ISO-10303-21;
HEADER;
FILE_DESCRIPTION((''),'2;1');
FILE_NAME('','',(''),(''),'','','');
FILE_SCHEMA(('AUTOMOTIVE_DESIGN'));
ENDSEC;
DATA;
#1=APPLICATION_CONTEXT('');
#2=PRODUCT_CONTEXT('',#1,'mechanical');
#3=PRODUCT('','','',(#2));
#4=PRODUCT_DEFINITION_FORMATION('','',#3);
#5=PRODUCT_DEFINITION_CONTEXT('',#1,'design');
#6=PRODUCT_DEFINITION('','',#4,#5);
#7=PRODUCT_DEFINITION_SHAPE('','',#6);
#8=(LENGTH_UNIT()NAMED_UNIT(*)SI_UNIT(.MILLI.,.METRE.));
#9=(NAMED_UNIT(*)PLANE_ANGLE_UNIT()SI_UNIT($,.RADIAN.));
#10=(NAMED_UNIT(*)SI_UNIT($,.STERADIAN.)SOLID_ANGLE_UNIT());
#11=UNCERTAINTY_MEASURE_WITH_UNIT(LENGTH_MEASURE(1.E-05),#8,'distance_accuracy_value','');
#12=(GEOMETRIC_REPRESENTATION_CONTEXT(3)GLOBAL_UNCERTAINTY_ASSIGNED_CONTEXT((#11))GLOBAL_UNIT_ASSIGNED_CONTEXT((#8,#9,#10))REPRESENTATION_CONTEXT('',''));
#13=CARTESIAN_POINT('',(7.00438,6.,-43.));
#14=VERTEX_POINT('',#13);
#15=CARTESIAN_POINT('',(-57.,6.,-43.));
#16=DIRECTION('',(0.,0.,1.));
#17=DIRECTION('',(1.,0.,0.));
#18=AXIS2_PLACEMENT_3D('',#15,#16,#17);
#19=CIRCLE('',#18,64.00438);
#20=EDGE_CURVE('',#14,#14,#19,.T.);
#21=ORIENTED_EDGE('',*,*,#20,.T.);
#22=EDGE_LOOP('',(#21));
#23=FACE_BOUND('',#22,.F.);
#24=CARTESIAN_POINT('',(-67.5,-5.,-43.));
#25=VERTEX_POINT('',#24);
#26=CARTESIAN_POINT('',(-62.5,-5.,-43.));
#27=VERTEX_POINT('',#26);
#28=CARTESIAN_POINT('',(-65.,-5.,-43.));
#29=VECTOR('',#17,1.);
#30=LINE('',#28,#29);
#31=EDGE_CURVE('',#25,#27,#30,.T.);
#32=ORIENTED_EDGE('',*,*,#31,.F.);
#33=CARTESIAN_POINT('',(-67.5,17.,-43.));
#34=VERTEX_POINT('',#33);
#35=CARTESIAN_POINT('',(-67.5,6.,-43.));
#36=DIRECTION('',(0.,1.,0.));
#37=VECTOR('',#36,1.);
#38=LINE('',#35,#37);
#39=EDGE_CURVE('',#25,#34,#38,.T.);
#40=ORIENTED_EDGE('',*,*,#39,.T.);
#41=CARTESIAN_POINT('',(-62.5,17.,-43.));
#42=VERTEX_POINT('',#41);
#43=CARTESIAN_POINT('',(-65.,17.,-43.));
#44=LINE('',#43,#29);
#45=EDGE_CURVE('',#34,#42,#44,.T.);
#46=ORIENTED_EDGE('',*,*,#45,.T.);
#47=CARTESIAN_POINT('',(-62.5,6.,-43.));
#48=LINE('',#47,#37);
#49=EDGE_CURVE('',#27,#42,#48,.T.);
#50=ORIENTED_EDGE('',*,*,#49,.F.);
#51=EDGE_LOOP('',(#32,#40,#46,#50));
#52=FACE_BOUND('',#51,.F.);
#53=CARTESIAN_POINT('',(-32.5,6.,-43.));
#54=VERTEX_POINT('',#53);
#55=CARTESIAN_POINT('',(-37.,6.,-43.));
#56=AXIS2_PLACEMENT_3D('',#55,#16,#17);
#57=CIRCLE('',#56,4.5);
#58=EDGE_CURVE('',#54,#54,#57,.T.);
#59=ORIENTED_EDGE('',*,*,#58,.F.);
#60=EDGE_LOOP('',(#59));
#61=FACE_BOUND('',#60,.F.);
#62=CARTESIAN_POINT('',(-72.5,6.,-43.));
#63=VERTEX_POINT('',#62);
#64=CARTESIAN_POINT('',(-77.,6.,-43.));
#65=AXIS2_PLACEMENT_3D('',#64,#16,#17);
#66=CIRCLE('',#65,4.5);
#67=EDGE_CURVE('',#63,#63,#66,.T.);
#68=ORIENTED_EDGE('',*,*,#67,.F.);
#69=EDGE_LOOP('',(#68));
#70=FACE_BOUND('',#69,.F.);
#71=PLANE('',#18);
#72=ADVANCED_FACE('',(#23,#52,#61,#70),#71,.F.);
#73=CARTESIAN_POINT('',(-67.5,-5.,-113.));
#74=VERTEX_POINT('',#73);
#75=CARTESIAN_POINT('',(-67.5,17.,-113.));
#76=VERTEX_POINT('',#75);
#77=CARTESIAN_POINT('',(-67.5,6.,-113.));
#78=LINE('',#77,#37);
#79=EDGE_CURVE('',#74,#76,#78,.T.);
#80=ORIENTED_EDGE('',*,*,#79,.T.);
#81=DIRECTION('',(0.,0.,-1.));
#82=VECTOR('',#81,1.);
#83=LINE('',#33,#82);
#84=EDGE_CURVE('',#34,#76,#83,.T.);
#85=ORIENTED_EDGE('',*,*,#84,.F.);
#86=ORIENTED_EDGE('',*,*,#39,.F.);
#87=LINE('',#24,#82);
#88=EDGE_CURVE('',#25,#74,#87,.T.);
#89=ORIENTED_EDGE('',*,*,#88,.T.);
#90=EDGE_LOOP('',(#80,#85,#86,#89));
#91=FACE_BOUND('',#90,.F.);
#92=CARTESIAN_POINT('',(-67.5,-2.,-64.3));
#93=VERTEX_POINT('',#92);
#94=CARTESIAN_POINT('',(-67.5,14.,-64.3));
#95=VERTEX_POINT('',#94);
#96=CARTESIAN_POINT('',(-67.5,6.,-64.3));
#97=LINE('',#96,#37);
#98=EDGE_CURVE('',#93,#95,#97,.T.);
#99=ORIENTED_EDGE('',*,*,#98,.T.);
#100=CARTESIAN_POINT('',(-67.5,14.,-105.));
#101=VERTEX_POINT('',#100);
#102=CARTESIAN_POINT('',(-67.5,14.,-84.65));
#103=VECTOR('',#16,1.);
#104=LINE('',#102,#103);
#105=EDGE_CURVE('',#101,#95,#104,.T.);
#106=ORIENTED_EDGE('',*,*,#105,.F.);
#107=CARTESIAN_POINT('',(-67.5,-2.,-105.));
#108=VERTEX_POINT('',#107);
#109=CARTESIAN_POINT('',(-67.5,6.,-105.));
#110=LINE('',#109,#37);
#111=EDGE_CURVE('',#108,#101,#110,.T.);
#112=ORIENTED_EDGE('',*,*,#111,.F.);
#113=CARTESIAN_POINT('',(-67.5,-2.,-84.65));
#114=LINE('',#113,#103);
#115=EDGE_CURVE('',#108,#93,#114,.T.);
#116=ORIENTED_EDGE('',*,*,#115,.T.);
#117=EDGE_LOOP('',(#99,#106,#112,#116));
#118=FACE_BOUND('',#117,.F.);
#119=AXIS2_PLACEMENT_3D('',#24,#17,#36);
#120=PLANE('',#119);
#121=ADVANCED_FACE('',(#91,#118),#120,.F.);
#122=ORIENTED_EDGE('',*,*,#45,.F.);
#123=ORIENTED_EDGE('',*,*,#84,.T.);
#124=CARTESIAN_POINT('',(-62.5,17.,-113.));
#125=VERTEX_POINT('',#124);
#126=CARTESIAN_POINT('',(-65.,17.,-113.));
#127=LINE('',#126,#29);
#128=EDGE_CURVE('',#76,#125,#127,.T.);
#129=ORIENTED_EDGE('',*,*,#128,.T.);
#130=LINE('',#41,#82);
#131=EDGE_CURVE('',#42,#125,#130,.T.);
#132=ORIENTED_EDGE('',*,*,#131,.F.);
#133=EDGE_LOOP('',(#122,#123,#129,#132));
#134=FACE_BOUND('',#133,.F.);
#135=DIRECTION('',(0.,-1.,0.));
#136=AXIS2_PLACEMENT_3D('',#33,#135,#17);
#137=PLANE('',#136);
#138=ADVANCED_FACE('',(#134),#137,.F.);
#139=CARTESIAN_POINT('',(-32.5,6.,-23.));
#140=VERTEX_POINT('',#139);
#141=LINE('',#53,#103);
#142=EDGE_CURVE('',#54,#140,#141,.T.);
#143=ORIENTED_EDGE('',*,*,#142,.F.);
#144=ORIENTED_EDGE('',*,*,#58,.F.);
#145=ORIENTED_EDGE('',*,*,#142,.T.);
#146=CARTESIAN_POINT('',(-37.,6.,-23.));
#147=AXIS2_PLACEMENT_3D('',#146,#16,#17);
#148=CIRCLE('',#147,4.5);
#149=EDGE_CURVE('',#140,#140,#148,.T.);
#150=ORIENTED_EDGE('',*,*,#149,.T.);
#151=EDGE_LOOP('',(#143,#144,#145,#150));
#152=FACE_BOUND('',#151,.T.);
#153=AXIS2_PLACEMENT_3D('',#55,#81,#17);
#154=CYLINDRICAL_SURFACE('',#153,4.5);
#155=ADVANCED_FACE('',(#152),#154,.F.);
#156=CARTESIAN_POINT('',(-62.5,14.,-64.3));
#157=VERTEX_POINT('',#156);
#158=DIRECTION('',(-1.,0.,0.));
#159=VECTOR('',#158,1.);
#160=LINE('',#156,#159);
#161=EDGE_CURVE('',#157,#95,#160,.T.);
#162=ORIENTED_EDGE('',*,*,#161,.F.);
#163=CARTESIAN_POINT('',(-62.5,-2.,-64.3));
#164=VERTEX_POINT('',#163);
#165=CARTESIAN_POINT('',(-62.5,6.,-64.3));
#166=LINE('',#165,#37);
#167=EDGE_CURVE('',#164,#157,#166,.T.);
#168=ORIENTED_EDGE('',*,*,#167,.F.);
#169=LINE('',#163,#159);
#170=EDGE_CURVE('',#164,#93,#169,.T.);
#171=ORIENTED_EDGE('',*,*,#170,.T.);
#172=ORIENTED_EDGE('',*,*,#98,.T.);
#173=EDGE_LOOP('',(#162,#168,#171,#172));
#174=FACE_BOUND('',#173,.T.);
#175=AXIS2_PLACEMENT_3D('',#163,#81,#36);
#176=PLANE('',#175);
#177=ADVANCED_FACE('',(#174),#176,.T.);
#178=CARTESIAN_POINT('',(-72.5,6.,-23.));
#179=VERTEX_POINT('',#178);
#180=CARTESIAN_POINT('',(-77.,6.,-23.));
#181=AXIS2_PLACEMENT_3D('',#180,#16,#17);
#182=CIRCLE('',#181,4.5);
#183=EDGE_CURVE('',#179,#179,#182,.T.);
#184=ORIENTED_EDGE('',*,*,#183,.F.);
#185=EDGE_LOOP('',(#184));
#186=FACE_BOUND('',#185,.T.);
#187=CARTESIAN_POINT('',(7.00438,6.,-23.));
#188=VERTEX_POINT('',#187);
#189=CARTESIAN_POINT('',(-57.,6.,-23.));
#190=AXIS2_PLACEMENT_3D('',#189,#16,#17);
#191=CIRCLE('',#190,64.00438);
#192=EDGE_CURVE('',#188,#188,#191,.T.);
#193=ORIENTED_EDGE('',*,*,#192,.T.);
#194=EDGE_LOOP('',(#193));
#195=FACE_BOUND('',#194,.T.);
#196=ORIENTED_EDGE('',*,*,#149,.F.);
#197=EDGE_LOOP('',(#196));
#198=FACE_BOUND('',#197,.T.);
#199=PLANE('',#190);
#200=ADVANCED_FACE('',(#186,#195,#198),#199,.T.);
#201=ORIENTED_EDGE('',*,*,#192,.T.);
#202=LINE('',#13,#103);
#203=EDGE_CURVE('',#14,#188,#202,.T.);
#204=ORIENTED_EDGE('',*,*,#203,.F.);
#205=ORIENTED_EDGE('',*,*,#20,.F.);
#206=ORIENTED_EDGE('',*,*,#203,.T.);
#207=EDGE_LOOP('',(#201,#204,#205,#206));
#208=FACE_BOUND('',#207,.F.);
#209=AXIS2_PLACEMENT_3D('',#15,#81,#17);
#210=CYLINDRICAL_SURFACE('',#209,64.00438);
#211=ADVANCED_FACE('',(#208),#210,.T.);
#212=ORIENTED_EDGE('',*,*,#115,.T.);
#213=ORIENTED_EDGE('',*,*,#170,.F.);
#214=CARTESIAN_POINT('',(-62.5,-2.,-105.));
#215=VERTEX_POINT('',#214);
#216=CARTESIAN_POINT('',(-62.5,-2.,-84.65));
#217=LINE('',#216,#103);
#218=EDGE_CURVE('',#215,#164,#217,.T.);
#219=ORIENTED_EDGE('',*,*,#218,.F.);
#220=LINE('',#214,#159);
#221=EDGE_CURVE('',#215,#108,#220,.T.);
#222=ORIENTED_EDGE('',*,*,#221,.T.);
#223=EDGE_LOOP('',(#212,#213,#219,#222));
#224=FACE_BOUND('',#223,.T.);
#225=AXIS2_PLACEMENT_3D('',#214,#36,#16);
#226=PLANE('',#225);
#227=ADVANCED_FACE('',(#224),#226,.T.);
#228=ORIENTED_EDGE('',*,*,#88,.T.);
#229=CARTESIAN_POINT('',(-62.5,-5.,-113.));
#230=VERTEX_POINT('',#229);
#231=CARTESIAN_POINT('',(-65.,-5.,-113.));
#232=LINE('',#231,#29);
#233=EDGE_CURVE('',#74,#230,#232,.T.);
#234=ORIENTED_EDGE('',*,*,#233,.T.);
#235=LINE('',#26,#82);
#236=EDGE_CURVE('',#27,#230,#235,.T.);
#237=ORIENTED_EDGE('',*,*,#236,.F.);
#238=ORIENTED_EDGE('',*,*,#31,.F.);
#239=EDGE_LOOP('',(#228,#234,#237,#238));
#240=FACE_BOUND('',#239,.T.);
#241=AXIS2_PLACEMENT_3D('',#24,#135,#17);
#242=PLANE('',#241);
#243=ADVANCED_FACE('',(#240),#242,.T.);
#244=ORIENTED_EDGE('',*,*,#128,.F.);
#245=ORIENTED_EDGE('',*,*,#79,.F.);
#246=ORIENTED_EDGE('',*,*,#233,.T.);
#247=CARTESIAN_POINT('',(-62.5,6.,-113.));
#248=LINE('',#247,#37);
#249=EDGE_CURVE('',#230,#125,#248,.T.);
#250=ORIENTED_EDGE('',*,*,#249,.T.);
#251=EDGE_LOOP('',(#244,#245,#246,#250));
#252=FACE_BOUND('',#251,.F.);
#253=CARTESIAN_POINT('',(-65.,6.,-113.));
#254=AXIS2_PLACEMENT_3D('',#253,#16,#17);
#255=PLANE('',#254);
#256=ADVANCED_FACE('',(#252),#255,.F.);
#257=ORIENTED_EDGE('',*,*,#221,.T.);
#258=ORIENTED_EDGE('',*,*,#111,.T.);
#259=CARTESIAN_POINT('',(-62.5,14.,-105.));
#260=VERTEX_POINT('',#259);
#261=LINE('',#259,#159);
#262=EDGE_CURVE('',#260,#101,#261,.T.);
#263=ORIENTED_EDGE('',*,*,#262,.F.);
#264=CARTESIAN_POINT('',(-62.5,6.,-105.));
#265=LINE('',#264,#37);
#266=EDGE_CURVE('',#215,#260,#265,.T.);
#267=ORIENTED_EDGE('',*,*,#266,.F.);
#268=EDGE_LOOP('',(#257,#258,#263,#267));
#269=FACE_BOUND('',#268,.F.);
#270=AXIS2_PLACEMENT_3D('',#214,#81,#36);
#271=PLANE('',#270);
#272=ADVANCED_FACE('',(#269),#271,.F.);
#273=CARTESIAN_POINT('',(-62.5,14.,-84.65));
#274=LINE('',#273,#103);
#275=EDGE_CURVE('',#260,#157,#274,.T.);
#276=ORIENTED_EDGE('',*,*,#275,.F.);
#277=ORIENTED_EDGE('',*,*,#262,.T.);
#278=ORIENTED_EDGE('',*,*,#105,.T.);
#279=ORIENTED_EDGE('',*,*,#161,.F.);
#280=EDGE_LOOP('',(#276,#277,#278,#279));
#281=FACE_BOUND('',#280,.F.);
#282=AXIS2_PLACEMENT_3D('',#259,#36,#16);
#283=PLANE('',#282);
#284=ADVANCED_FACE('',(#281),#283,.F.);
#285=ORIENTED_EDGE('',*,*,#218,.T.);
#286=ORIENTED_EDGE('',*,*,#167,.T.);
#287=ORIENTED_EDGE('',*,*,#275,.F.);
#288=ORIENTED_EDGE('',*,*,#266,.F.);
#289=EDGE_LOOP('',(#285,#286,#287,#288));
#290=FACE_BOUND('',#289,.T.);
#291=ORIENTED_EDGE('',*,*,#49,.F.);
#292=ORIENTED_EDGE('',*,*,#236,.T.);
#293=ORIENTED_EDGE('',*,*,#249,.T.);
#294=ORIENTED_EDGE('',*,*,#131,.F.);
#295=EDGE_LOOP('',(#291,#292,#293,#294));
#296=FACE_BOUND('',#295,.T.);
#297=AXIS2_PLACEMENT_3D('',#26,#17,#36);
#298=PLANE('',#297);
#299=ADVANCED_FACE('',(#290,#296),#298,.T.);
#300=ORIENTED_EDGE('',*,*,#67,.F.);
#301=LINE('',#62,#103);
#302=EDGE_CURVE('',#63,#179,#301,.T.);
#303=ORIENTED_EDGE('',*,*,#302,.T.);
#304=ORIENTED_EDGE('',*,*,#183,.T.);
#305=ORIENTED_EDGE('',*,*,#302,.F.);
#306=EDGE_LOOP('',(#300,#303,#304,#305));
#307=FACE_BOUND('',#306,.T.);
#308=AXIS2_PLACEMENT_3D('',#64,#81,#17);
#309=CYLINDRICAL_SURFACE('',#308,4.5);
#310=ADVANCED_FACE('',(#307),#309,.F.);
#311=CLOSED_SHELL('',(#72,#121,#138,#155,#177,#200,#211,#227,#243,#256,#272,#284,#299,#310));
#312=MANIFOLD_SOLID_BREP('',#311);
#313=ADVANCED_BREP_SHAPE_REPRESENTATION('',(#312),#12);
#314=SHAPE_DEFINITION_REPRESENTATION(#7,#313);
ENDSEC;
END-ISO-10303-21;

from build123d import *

# Parameters (mm, degrees)
SKETCH004_R     = 64.00438
PAD003_DEPTH    = 20
SKETCH006_R     = 4.5
POCKET001_DEPTH = 20
SKETCH005_R     = 4.5
POCKET002_DEPTH = 20
SKETCH007_W     = 5
SKETCH007_H     = 22
PAD004_DEPTH    = 70
SKETCH008_W     = 16
SKETCH008_H     = 40.7
POCKET003_DEPTH = 5


with BuildPart() as part:
    # Sketch004 → Pad003 (new body)
    with BuildSketch(Plane.XY):
        Circle(SKETCH004_R)
    extrude(amount=PAD003_DEPTH)

    # Sketch006 → Pocket001 (cut)
    with BuildSketch(Plane.XY):
        with Locations((20, 0)):
            Circle(SKETCH006_R)
    extrude(amount=POCKET001_DEPTH, mode=Mode.SUBTRACT)

    # Sketch005 → Pocket002 (cut)
    with BuildSketch(Plane.XY):
        with Locations((-20, 0)):
            Circle(SKETCH005_R)
    extrude(amount=POCKET002_DEPTH, mode=Mode.SUBTRACT)

    # Sketch007 → Pad004 (join)
    with BuildSketch(Plane.XY):
        with Locations((-8, 0)):
            Rectangle(SKETCH007_W, SKETCH007_H)
    extrude(amount=-PAD004_DEPTH)

    # Sketch008 (on Face7 of Pad004) → Pocket003 (cut)
    with BuildSketch(Plane.YZ.offset(-5.5)):
        with Locations((0, -41.65)):
            Rectangle(SKETCH008_W, SKETCH008_H)
    extrude(amount=-POCKET003_DEPTH, mode=Mode.SUBTRACT)


with BuildPart() as part_1:
    # Body001 placement: moved
    add(part.part.moved(Location((-57, 6, -43))))


solid = part_1.part
